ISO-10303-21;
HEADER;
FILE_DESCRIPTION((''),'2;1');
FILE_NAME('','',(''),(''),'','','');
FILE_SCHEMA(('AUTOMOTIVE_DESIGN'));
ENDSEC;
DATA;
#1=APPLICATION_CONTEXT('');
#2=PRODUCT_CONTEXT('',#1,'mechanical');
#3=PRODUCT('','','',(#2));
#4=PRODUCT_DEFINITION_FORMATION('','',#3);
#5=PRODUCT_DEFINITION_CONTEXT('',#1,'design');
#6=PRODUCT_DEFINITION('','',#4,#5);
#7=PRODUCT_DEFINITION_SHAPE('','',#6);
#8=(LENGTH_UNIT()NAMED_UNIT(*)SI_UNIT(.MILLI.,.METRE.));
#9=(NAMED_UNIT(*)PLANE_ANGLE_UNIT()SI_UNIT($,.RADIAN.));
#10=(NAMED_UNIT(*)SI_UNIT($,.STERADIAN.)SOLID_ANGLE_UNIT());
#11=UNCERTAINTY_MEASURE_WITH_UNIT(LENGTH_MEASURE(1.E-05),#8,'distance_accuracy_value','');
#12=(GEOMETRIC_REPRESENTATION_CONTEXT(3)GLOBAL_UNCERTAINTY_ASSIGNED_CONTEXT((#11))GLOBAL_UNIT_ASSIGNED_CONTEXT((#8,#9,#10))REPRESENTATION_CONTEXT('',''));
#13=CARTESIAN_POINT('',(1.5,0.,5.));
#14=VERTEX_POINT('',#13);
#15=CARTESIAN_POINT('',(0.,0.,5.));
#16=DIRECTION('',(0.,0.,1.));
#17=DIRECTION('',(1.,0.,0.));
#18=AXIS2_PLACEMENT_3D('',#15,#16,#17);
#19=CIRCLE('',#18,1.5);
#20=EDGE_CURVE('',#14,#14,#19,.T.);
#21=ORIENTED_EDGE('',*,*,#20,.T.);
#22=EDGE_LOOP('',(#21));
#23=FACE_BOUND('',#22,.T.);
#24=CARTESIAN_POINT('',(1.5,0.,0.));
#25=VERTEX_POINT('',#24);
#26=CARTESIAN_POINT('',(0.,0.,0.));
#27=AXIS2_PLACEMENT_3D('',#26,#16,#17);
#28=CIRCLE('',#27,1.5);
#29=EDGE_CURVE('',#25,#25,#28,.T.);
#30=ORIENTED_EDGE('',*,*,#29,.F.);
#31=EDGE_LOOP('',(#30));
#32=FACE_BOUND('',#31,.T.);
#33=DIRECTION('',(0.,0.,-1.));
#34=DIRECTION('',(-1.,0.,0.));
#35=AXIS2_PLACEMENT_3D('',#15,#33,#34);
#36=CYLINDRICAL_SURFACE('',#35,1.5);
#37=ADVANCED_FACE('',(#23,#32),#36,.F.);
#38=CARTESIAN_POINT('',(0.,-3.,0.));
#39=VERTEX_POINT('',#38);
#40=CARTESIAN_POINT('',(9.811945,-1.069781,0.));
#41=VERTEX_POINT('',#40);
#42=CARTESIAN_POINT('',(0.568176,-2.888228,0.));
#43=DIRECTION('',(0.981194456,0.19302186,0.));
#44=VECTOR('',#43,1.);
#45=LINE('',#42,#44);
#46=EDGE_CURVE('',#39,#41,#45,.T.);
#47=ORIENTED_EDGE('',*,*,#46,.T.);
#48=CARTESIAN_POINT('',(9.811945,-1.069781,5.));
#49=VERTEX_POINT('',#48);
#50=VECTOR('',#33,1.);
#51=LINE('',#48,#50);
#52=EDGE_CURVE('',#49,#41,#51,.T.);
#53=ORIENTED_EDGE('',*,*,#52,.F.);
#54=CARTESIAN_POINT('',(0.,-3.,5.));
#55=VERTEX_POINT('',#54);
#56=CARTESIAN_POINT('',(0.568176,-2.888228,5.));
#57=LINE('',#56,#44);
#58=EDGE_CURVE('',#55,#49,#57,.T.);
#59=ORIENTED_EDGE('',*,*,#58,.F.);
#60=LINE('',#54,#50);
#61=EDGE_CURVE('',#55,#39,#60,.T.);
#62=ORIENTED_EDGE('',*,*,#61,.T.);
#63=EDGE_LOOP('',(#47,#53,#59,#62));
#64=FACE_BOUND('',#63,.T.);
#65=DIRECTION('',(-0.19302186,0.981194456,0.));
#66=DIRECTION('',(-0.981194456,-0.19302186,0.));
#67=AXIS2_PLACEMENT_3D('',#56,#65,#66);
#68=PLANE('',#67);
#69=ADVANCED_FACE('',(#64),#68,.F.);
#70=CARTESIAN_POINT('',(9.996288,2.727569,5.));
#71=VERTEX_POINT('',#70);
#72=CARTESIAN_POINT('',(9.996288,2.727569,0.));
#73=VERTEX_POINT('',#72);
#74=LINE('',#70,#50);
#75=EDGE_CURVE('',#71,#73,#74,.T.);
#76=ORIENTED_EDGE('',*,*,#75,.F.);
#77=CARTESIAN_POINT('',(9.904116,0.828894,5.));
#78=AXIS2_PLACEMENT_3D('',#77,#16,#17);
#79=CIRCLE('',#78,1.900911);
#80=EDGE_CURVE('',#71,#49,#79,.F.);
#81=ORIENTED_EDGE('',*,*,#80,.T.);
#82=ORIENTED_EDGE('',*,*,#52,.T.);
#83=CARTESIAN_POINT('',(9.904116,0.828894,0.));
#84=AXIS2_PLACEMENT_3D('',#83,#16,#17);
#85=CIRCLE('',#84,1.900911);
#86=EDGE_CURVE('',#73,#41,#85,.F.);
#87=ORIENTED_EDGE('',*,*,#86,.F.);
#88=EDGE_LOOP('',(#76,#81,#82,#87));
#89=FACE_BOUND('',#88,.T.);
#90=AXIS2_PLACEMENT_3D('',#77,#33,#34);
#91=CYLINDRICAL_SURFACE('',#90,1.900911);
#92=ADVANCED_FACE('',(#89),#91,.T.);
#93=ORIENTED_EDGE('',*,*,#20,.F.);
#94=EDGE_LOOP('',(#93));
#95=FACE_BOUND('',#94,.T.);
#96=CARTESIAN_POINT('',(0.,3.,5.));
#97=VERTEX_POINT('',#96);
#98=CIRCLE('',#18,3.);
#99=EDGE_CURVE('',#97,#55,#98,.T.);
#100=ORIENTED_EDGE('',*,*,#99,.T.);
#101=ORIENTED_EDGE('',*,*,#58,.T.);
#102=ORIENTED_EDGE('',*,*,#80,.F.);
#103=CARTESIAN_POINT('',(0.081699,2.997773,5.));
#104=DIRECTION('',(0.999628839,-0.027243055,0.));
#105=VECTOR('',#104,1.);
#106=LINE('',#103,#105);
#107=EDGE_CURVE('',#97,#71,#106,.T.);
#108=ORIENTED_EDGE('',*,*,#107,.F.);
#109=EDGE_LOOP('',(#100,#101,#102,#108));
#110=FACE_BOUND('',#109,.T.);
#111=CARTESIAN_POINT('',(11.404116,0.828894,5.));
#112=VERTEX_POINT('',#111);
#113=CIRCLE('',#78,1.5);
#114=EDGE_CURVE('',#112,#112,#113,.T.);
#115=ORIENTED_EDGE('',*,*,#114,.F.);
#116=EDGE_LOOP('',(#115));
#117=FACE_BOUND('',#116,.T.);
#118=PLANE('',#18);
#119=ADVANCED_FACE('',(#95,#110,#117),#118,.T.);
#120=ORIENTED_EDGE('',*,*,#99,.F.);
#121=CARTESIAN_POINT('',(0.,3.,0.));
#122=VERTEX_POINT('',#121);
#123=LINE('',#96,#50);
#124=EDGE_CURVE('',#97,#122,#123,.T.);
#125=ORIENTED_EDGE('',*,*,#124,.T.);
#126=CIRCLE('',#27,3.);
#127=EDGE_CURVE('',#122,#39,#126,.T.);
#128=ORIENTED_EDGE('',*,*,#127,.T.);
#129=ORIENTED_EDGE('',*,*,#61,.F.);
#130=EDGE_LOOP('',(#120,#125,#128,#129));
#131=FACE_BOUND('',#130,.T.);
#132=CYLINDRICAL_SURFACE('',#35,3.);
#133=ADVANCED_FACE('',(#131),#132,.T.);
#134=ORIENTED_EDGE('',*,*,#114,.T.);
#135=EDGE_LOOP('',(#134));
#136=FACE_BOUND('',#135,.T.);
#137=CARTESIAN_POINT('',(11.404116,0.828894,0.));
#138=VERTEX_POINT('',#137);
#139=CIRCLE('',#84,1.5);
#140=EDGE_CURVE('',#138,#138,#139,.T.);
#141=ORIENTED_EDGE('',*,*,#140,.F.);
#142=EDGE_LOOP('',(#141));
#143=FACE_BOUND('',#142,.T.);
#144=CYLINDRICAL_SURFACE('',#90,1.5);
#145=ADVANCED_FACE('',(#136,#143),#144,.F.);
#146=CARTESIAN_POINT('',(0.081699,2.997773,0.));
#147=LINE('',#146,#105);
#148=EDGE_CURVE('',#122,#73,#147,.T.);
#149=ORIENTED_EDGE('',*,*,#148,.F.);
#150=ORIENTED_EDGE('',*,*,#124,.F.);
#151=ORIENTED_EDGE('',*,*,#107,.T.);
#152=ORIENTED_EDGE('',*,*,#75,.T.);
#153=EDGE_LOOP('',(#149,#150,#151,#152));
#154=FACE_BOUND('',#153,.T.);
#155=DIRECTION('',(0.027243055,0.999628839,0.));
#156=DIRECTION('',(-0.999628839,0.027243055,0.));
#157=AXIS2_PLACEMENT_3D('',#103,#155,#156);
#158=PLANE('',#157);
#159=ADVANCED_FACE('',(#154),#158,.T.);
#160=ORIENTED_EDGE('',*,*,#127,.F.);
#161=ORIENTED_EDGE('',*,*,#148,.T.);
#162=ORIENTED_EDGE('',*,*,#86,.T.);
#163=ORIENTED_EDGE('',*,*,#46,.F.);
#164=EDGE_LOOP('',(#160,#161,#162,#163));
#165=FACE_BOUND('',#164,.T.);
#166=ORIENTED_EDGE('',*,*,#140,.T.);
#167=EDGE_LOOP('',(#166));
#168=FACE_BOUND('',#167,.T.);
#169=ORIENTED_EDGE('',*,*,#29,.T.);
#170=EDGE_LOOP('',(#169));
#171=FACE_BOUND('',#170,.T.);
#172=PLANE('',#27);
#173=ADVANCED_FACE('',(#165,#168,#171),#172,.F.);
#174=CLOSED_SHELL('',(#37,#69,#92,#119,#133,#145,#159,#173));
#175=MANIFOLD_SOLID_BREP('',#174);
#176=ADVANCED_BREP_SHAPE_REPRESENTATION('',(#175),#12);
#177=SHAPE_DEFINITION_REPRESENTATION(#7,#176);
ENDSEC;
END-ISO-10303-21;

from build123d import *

# Parameters (mm, degrees)
SKETCH1_R           = 1.5
BOSS_EXTRUDE1_DEPTH = 5


with BuildPart() as part:
    # Sketch1 → Boss-Extrude1 (new body)
    with BuildSketch(Plane.XY):
        with BuildLine():
            ThreePointArc((0, 3), (-3, 0), (0, -3))
            Line((0, -3), (9.811944565, -1.069781397))
            ThreePointArc((9.811944565, -1.069781397), (11.802791902, 0.736722114), (9.996288391, 2.727569451))
            Line((9.996288391, 2.727569451), (0, 3))
        make_face()
        Circle(SKETCH1_R, mode=Mode.SUBTRACT)
        with Locations((9.904116478, 0.828894027)):
            Circle(SKETCH1_R, mode=Mode.SUBTRACT)
    extrude(amount=BOSS_EXTRUDE1_DEPTH)


solid = part.part
